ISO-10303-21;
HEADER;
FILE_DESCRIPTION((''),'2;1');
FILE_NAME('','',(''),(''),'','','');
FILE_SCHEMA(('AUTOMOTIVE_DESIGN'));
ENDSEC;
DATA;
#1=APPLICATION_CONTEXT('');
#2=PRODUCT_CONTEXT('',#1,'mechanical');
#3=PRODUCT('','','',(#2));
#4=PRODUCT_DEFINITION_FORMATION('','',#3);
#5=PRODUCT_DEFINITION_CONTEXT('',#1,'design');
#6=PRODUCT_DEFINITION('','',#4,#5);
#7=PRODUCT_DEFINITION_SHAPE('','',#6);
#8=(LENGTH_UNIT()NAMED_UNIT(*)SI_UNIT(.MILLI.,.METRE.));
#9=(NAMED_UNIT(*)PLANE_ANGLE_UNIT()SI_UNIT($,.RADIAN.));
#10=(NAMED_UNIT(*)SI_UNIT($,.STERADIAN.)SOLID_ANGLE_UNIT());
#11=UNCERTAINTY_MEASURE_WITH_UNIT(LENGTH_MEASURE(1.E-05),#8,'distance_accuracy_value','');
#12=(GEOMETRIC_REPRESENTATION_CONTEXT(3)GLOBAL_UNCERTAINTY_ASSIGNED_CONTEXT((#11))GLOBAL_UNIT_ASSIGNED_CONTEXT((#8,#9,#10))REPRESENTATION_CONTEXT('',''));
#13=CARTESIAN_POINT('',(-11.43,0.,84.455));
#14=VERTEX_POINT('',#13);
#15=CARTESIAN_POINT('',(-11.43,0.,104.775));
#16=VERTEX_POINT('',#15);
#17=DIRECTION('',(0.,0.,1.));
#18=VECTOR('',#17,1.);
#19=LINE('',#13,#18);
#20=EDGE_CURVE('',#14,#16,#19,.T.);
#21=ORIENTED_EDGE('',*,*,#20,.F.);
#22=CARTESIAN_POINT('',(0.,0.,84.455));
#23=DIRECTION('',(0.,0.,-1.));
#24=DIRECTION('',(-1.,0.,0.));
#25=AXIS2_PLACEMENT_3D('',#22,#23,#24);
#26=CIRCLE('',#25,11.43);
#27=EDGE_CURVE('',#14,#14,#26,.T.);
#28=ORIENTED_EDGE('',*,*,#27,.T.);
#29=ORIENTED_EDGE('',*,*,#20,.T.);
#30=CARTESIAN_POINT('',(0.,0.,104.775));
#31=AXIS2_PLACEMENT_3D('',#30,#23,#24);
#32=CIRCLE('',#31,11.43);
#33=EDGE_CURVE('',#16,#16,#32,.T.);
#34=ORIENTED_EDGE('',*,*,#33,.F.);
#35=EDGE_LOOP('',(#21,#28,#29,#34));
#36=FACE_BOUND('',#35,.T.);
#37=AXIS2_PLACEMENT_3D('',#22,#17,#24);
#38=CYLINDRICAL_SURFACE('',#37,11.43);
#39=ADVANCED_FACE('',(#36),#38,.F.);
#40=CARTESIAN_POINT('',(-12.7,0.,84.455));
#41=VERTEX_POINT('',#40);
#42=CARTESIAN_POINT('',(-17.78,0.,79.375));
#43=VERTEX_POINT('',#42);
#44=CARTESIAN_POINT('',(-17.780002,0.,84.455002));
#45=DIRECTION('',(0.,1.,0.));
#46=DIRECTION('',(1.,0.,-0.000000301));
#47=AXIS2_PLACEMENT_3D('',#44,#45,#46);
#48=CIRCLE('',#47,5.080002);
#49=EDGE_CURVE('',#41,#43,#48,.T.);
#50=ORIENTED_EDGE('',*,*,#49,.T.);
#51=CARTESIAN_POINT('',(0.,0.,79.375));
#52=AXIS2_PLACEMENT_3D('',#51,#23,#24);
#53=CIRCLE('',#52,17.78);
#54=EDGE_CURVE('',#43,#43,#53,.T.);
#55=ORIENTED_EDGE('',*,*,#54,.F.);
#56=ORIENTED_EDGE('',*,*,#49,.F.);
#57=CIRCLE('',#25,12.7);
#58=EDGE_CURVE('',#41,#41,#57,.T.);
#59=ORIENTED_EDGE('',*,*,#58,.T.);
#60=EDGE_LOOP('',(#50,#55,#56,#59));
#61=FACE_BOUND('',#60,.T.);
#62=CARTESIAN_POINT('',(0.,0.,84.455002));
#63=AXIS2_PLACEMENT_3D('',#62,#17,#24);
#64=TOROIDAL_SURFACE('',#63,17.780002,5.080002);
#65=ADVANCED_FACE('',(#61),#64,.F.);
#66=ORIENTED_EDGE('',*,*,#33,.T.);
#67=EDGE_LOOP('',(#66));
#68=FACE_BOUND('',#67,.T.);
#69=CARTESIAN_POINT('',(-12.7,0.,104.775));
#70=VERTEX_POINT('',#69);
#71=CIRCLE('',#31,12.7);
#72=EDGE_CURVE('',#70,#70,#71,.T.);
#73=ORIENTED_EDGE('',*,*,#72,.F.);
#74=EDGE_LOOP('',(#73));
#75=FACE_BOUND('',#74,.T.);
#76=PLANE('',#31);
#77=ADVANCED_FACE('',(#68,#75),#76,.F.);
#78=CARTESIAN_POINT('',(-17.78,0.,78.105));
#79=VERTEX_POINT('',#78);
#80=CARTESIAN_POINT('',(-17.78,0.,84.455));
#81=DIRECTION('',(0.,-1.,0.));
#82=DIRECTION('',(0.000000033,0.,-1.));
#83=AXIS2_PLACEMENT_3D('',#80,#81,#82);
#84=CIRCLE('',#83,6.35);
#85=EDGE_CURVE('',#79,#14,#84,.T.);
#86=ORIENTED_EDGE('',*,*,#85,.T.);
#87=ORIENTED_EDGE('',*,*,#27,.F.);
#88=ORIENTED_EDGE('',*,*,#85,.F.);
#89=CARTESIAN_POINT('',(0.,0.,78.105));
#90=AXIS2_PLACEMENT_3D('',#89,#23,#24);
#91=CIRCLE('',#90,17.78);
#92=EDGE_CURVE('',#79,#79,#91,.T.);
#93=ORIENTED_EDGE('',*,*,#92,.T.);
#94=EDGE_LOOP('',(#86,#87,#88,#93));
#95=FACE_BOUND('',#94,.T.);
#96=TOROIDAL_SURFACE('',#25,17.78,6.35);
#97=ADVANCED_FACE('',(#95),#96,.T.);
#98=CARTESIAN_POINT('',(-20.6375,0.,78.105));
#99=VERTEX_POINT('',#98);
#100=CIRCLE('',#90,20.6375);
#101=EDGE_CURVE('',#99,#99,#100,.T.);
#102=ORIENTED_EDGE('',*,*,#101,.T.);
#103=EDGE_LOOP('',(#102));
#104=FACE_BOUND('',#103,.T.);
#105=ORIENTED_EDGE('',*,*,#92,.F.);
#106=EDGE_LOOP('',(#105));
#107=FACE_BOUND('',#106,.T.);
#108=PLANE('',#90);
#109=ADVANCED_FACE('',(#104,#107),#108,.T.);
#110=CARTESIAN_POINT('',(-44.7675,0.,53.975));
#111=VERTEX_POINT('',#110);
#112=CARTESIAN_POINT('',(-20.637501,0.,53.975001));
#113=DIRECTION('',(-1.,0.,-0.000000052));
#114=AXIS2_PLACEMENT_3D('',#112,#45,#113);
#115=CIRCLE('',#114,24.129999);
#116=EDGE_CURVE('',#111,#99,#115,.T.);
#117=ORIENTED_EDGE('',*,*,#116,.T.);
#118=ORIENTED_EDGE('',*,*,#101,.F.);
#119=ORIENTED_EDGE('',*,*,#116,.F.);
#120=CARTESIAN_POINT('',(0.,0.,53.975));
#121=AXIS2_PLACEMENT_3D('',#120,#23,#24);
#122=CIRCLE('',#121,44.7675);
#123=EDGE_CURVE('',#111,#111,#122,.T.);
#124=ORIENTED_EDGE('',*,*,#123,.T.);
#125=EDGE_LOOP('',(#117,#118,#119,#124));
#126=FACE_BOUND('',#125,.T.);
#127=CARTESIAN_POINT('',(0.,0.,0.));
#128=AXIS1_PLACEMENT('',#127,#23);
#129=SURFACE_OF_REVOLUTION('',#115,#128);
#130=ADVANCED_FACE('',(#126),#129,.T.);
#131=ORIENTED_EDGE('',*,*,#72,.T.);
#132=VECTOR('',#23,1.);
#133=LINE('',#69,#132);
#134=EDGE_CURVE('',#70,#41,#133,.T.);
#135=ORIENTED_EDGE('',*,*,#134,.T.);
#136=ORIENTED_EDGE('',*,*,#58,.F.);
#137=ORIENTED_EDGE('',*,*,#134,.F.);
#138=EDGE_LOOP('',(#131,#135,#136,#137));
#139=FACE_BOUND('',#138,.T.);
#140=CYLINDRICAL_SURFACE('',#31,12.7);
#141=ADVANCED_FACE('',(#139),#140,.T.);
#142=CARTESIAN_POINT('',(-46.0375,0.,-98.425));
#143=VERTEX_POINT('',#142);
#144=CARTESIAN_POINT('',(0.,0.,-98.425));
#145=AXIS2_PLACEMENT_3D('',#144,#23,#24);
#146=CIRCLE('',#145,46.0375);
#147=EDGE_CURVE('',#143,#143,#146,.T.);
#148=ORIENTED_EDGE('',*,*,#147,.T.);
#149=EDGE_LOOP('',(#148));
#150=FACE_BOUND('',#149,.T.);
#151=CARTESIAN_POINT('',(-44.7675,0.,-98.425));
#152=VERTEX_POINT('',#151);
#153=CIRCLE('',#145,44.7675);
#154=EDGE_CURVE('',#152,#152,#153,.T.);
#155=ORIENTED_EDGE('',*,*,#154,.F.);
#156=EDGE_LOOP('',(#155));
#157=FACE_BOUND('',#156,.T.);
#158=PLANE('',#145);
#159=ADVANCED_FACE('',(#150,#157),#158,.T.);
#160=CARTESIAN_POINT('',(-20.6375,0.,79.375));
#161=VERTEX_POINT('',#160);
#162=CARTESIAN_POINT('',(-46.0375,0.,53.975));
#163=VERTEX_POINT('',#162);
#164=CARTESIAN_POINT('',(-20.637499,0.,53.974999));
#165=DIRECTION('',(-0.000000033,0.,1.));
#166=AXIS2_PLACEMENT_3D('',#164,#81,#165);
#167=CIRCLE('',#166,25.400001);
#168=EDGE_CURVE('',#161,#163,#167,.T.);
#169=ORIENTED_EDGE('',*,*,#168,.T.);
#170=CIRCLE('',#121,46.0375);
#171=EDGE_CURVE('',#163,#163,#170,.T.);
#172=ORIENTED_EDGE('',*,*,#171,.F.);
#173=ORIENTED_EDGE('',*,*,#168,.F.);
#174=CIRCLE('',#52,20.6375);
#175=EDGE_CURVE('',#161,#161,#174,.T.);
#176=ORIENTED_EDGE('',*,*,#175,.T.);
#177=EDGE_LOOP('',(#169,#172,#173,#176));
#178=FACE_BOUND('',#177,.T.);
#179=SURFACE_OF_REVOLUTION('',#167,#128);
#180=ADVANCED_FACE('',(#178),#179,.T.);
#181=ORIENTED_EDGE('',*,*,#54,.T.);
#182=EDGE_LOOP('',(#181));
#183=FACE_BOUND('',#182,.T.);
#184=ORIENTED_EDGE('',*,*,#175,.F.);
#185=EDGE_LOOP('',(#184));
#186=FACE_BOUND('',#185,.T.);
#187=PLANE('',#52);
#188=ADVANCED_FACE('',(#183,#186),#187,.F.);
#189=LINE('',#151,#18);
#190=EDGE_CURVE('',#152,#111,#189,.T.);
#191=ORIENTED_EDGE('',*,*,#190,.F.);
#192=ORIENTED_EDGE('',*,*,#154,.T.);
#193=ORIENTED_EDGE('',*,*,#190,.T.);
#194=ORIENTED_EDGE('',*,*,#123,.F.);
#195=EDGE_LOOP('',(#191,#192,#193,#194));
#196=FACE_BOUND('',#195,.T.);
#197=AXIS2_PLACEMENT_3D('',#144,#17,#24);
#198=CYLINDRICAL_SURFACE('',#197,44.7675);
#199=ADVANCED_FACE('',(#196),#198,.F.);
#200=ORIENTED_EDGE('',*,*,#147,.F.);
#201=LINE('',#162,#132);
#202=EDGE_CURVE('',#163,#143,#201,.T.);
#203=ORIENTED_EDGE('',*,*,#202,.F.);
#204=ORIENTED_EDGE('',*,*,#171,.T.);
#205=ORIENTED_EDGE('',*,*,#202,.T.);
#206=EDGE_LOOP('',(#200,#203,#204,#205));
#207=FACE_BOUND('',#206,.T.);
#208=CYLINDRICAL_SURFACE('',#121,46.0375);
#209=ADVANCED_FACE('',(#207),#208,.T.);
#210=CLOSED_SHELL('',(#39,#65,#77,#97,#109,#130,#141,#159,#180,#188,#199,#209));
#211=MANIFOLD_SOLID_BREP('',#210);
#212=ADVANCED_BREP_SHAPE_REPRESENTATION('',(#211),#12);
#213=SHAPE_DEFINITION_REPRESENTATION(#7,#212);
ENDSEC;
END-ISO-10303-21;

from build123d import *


with BuildPart() as f1:
    # F0 (on Front) → F1 (revolve)
    with BuildSketch(Plane.XZ):
        with BuildLine():
            Line((-11.43, 84.455), (-11.43, 104.775))
            Line((-11.43, 104.775), (-12.7, 104.775))
            Line((-12.7, 104.775), (-12.7, 84.455))
            ThreePointArc((-12.7, 84.455), (-14.187898, 80.862898), (-17.78, 79.375))
            Line((-17.78, 79.375), (-20.6375, 79.375))
            ThreePointArc((-20.6375, 79.375), (-38.598012, 71.935512), (-46.0375, 53.975))
            Line((-46.0375, 53.975), (-46.0375, -98.425))
            Line((-46.0375, -98.425), (-44.7675, -98.425))
            Line((-44.7675, -98.425), (-44.7675, 53.975))
            ThreePointArc((-44.7675, 53.975), (-37.699987, 71.037487), (-20.6375, 78.105))
            Line((-20.6375, 78.105), (-17.78, 78.105))
            ThreePointArc((-17.78, 78.105), (-13.289872, 79.964872), (-11.43, 84.455))
        make_face()
    revolve(axis=Axis((0, 0, 0), (0, 0, -1)))


solid = f1.part
